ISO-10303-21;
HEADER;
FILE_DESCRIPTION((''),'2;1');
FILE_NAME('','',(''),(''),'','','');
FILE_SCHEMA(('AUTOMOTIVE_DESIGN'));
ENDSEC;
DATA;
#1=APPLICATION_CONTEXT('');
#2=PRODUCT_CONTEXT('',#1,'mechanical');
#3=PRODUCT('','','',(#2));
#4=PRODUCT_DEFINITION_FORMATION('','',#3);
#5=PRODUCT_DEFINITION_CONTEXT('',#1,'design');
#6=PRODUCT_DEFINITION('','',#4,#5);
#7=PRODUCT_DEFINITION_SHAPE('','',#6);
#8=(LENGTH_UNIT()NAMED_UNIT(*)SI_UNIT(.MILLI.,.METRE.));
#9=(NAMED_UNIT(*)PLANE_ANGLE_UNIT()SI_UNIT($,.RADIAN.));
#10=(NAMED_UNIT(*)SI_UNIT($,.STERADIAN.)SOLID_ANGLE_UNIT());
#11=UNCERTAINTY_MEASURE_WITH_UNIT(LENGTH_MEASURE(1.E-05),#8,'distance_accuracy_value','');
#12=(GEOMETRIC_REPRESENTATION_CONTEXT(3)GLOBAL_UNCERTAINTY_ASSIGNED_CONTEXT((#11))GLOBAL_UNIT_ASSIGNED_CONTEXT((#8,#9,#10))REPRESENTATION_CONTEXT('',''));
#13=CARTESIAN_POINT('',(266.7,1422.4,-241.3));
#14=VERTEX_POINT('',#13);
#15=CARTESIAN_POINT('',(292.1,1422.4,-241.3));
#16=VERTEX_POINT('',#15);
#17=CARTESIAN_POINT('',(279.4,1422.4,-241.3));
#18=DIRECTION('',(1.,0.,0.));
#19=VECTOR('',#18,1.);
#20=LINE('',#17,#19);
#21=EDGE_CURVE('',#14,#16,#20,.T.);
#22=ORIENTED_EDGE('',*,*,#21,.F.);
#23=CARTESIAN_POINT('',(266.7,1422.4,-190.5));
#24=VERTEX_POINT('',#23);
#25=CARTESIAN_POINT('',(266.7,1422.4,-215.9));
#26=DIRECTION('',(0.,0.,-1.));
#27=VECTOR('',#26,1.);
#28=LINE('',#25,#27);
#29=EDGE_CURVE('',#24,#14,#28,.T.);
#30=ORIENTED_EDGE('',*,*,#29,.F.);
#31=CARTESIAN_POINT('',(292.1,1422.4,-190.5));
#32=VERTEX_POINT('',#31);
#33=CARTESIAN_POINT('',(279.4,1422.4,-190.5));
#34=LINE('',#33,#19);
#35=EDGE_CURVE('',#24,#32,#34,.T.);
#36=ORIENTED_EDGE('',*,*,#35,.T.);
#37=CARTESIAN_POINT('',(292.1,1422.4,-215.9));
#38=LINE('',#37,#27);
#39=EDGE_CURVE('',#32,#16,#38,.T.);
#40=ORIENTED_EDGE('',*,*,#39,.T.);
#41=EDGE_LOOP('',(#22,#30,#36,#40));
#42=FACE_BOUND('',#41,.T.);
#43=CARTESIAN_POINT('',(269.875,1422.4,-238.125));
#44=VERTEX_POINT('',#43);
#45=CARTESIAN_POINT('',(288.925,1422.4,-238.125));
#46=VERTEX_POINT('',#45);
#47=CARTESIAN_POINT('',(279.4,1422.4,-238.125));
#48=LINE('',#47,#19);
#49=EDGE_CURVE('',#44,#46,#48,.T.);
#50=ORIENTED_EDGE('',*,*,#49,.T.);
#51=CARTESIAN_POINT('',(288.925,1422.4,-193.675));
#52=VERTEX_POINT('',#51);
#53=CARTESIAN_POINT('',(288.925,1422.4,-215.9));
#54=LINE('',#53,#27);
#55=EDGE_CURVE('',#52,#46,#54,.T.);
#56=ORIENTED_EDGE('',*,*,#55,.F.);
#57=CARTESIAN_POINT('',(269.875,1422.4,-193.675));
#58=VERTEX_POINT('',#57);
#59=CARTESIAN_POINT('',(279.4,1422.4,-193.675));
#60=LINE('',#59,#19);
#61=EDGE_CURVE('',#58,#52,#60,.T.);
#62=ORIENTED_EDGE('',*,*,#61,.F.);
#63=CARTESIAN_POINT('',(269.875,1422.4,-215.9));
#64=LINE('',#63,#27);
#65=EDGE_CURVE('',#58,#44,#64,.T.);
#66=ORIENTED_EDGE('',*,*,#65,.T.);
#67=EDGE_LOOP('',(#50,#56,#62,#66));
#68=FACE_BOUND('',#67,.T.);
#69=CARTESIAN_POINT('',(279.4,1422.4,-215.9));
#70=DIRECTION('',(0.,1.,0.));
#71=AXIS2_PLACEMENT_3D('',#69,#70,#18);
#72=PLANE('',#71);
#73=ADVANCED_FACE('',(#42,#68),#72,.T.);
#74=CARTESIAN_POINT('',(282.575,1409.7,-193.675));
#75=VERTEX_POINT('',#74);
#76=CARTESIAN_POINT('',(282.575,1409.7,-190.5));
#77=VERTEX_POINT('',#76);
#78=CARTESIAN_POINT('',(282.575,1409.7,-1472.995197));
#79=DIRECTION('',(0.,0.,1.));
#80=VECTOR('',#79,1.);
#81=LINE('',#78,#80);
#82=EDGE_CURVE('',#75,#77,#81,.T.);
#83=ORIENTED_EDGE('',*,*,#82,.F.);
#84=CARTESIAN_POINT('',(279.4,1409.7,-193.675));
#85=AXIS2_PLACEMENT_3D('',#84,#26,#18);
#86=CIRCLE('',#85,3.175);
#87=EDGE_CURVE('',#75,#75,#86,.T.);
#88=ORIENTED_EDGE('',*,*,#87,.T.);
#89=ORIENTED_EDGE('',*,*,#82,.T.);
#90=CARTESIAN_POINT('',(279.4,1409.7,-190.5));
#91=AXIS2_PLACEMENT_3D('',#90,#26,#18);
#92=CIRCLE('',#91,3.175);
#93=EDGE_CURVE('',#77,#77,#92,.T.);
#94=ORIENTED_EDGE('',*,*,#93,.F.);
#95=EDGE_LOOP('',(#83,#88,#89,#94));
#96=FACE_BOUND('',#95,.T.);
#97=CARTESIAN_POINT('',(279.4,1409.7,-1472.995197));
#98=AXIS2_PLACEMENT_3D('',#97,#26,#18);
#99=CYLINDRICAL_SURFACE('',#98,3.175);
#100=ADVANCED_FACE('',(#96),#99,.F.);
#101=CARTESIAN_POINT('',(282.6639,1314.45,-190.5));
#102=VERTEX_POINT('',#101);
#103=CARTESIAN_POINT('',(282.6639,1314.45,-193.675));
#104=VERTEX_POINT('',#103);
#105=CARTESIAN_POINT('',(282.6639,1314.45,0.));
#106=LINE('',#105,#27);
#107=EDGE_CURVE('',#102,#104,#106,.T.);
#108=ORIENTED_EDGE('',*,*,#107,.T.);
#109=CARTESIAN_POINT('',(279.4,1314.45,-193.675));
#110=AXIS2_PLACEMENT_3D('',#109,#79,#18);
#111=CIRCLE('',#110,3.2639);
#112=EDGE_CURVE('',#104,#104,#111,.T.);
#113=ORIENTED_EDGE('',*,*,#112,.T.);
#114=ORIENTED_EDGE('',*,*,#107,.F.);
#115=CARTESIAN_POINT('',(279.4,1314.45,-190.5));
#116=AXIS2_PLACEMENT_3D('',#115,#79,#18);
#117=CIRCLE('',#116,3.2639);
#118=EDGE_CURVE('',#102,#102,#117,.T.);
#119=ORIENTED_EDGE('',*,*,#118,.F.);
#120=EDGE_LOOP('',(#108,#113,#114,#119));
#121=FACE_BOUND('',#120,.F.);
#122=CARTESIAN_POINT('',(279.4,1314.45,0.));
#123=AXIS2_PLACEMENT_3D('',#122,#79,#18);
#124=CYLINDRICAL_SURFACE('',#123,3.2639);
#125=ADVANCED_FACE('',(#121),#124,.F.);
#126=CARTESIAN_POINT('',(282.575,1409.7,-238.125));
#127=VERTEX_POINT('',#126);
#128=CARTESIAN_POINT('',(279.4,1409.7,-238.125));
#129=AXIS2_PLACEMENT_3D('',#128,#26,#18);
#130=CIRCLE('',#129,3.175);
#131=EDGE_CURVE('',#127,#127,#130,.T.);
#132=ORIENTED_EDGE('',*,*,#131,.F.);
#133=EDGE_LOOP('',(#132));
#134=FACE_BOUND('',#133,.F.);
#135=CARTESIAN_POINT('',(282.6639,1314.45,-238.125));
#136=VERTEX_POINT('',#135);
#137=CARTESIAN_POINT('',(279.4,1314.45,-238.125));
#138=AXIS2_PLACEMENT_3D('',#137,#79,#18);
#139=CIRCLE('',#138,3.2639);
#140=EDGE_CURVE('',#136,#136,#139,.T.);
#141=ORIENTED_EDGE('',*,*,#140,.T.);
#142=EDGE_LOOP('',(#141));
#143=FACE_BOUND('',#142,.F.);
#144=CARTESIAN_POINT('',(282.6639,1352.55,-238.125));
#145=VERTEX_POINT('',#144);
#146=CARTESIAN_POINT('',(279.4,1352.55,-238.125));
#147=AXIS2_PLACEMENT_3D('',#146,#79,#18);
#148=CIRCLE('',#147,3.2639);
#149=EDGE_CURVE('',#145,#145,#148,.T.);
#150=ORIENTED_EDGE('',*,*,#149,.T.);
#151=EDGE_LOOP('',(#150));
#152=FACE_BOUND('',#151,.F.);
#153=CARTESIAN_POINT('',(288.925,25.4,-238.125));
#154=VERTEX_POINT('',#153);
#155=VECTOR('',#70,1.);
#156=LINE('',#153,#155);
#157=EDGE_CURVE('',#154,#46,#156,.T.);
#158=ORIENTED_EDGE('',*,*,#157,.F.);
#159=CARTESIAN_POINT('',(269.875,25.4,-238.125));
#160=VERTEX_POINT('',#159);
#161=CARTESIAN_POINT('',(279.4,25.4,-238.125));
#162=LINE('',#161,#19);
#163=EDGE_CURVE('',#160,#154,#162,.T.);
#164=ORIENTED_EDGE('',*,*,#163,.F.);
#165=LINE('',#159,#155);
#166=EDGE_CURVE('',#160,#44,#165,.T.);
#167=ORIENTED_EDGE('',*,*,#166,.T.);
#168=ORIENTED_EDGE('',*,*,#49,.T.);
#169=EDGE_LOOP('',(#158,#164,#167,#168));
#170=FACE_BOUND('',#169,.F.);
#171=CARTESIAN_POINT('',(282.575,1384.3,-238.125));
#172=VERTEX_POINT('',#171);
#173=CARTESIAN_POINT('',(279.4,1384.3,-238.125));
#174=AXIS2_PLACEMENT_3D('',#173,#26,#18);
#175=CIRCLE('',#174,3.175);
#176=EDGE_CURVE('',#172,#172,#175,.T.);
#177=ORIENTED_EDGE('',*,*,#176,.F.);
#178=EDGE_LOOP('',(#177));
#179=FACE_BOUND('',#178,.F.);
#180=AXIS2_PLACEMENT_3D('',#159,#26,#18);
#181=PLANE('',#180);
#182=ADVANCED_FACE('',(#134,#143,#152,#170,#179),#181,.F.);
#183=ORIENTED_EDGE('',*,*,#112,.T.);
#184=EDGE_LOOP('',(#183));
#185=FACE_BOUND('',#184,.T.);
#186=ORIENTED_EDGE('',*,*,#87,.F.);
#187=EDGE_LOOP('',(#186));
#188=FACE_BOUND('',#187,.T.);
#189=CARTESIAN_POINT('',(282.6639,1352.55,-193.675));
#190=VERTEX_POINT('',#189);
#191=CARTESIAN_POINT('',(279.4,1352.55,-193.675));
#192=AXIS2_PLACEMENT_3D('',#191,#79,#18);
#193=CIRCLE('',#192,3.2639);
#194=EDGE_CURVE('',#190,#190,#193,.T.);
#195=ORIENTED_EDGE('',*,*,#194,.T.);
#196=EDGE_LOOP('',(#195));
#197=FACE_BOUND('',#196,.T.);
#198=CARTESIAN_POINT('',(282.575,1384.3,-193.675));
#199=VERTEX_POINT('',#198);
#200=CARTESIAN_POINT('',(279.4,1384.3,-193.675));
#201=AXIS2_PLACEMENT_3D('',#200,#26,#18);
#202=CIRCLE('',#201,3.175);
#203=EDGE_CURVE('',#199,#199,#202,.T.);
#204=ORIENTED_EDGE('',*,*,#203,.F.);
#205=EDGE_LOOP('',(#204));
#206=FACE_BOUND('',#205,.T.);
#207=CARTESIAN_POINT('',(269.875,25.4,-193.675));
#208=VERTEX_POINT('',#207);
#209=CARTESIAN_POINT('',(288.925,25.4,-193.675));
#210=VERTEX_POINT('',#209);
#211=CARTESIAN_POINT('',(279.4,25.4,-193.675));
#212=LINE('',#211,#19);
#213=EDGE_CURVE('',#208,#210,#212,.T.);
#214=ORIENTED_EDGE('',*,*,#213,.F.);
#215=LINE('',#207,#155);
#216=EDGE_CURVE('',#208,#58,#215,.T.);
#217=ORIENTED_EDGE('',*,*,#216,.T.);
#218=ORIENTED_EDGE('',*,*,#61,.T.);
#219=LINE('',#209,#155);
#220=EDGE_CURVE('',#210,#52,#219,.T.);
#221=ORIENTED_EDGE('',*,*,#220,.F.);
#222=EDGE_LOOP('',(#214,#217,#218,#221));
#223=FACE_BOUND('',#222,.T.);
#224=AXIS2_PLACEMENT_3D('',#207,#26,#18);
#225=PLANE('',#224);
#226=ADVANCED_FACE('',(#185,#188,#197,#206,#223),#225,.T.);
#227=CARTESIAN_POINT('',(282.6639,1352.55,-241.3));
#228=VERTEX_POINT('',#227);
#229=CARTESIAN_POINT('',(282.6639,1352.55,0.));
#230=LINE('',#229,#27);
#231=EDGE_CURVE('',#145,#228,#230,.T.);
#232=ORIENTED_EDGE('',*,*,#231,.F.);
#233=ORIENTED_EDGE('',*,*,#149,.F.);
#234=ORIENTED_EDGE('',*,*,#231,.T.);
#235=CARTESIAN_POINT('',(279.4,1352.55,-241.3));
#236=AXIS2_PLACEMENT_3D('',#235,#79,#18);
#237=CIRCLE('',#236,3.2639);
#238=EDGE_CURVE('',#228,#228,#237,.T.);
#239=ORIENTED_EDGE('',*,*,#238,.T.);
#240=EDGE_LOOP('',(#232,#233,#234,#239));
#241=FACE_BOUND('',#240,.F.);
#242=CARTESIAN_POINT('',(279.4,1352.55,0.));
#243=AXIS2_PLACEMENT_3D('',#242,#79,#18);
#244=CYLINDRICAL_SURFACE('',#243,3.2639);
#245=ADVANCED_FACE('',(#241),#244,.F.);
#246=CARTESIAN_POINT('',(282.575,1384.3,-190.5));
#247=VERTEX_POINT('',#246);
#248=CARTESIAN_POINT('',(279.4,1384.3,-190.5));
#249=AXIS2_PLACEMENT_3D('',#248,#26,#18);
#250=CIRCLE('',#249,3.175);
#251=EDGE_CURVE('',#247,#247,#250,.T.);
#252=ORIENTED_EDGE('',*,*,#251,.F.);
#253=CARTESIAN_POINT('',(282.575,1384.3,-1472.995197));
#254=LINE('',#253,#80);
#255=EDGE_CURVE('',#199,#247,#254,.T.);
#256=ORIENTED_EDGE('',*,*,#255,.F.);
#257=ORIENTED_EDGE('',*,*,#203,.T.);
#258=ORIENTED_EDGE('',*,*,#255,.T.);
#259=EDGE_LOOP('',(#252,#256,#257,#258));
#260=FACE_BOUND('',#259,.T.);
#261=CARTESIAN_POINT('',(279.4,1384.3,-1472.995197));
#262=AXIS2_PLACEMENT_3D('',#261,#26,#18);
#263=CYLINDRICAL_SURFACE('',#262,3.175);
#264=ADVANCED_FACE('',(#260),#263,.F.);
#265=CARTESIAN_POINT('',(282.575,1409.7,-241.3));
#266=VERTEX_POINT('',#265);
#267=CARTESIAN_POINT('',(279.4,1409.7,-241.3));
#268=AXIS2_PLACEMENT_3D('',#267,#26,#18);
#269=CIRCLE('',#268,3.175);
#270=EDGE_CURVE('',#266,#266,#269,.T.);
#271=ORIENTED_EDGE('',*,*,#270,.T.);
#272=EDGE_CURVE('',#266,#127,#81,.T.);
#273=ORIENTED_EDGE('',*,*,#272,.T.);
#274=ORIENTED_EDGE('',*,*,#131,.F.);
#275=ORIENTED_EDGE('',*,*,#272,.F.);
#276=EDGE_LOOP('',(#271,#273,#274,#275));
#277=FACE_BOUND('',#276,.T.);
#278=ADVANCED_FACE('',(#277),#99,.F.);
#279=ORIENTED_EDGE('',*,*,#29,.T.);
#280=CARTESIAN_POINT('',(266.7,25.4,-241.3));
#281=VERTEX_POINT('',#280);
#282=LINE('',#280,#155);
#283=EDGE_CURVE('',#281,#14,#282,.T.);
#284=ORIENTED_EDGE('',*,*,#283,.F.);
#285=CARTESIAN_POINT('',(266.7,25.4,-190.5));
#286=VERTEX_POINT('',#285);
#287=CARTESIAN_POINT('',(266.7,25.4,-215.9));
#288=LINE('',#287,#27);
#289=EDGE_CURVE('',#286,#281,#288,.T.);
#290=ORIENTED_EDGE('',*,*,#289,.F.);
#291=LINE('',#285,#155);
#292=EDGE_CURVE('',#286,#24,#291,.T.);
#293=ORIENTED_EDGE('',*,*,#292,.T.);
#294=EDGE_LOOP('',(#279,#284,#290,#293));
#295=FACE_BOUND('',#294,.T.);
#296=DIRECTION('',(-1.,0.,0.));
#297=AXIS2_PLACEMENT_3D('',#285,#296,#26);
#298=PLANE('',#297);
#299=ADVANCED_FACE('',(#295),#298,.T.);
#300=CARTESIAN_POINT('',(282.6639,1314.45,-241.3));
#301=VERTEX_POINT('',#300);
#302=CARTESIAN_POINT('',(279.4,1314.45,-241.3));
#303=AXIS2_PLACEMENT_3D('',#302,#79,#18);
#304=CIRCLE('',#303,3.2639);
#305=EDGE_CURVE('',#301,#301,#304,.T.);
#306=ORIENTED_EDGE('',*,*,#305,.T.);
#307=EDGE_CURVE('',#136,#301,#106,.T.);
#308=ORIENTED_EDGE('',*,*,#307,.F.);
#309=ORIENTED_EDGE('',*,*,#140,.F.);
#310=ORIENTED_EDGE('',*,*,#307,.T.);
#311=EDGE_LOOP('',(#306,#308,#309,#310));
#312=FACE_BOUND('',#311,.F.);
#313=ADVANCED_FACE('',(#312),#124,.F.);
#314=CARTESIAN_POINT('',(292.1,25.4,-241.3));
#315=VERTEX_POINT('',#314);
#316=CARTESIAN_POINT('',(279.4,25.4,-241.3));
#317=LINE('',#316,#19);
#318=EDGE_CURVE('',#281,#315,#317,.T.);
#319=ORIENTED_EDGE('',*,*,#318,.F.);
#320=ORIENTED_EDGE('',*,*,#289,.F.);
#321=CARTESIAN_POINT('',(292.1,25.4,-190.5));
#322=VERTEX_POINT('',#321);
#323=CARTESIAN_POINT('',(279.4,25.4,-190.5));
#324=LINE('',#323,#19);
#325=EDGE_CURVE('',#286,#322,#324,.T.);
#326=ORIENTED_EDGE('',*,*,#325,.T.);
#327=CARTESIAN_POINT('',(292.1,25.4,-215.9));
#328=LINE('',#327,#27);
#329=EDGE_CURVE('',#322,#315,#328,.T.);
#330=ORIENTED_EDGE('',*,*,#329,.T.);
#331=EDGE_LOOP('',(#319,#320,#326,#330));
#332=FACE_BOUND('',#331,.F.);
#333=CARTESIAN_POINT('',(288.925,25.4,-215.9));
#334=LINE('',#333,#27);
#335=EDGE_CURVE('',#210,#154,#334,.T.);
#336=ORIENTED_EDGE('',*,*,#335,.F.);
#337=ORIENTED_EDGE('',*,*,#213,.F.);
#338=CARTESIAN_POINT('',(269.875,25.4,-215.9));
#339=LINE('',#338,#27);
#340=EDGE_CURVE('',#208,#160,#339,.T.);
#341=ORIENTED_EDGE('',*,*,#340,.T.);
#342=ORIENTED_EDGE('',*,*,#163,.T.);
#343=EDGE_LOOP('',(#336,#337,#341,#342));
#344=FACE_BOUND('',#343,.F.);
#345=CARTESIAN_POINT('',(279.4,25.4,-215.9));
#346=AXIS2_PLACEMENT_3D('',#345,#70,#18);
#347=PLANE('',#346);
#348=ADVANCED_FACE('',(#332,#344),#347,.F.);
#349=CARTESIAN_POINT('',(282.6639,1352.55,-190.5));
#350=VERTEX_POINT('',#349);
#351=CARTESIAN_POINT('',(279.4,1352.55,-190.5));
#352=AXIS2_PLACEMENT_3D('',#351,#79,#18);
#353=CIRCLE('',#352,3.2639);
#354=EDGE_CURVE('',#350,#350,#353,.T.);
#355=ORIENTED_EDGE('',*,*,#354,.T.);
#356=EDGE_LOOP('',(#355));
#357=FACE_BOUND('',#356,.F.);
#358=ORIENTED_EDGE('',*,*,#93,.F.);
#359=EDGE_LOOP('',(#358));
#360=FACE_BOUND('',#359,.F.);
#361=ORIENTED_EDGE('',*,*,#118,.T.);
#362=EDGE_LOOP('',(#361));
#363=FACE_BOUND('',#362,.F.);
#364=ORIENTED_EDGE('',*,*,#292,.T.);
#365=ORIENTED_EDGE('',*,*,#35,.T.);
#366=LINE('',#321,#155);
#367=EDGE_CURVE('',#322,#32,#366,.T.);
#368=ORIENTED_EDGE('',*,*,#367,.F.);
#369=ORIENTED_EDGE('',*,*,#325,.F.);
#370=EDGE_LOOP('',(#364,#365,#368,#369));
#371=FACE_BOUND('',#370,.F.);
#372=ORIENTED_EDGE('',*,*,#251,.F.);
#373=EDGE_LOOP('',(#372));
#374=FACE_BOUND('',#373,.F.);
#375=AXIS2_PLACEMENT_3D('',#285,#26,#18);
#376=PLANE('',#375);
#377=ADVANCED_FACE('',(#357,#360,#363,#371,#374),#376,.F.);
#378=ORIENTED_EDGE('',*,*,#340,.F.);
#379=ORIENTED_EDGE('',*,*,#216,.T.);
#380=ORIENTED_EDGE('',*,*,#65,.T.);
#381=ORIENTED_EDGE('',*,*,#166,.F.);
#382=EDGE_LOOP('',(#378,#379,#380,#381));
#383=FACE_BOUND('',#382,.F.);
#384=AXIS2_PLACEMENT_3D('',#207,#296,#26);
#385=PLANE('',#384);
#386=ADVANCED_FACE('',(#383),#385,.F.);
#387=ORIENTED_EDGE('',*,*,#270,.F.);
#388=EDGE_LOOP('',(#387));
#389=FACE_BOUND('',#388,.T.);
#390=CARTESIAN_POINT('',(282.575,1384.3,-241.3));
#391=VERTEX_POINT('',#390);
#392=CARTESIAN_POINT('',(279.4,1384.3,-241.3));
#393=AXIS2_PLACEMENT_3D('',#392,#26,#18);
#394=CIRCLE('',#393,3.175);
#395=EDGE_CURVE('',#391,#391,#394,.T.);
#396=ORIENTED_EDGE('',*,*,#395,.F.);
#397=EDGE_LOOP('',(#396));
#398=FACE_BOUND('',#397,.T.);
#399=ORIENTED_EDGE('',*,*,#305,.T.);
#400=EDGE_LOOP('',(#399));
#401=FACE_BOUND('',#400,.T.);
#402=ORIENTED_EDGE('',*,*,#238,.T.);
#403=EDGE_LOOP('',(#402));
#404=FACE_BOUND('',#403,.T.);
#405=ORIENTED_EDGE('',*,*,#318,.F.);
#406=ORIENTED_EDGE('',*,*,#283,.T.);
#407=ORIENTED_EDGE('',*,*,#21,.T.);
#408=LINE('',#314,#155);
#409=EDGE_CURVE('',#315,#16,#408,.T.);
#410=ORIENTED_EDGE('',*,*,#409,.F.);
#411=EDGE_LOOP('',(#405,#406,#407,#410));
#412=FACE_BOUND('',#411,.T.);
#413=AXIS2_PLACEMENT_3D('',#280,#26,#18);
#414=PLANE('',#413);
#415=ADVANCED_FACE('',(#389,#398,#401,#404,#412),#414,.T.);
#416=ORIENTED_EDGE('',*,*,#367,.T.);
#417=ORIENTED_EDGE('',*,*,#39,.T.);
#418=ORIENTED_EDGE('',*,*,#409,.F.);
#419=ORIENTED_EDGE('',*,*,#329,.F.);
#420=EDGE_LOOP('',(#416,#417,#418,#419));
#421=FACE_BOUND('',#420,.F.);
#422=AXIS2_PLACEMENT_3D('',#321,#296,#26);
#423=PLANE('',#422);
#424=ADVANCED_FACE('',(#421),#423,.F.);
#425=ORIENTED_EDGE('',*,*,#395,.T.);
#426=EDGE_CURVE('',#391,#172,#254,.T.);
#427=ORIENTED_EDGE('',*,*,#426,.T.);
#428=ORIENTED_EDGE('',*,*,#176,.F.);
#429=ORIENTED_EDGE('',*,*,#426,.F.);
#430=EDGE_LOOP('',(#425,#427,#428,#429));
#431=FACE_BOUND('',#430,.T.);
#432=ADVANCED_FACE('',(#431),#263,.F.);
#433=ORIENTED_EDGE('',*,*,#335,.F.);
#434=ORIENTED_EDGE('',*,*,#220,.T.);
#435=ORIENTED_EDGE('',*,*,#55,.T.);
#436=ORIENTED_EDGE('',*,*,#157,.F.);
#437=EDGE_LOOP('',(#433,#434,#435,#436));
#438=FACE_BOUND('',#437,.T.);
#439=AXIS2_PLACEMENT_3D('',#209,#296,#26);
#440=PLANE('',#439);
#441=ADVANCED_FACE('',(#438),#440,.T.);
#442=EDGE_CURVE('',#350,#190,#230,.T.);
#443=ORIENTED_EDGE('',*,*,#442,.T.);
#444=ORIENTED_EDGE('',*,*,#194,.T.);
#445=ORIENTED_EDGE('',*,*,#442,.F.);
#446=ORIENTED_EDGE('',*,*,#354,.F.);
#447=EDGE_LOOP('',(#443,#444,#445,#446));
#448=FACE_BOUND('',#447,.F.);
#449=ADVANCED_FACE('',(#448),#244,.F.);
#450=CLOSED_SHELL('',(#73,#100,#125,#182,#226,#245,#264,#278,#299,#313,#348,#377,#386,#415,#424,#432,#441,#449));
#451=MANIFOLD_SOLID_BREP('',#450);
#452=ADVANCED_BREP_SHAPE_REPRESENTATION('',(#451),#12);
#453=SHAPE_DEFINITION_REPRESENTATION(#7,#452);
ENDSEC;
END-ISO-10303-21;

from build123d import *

# Parameters (mm, degrees)
SKETCH1_W               = 25.4
SKETCH1_H               = 50.8
SKETCH1_W_2             = 19.05
SKETCH1_H_2             = 44.45
BOSS_EXTRUDE1_DEPTH     = 1397
SKETCH2_R               = 3.2639
CUT_EXTRUDE1_DEPTH      = 1472.995197003
CUT_EXTRUDE2_DEPTH      = 1472.995197003
CUT_EXTRUDE2_DEPTH_BACK = 1472.995197003
SKETCH3_R               = 3.175


with BuildPart() as part:
    # Sketch1 → Boss-Extrude1 (new body)
    with BuildSketch(Plane(origin=(0, 25.4, 0), x_dir=(1, 0, 0), z_dir=(0, 1, 0))):
        with Locations((279.4, 215.9)):
            Rectangle(SKETCH1_W, SKETCH1_H)
        with Locations((279.4, 215.9)):
            Rectangle(SKETCH1_W_2, SKETCH1_H_2, mode=Mode.SUBTRACT)
    extrude(amount=BOSS_EXTRUDE1_DEPTH)

    # Sketch2 → Cut-Extrude1 (cut, through all)
    with BuildSketch(Plane.XY):
        with Locations((279.4, 1314.45)):
            Circle(SKETCH2_R)
        with Locations((279.4, 1352.55)):
            Circle(SKETCH2_R)
    extrude(amount=-CUT_EXTRUDE1_DEPTH, mode=Mode.SUBTRACT)

    # Sketch3 → Cut-Extrude2 (cut, two sides: drawn at the far end of the back side and taken through both)
    with BuildSketch(Plane.XY.offset(-CUT_EXTRUDE2_DEPTH_BACK)):
        with Locations((279.4, 1384.3)):
            Circle(SKETCH3_R)
        with Locations((279.4, 1409.7)):
            Circle(SKETCH3_R)
    extrude(amount=CUT_EXTRUDE2_DEPTH + CUT_EXTRUDE2_DEPTH_BACK, mode=Mode.SUBTRACT)


solid = part.part
